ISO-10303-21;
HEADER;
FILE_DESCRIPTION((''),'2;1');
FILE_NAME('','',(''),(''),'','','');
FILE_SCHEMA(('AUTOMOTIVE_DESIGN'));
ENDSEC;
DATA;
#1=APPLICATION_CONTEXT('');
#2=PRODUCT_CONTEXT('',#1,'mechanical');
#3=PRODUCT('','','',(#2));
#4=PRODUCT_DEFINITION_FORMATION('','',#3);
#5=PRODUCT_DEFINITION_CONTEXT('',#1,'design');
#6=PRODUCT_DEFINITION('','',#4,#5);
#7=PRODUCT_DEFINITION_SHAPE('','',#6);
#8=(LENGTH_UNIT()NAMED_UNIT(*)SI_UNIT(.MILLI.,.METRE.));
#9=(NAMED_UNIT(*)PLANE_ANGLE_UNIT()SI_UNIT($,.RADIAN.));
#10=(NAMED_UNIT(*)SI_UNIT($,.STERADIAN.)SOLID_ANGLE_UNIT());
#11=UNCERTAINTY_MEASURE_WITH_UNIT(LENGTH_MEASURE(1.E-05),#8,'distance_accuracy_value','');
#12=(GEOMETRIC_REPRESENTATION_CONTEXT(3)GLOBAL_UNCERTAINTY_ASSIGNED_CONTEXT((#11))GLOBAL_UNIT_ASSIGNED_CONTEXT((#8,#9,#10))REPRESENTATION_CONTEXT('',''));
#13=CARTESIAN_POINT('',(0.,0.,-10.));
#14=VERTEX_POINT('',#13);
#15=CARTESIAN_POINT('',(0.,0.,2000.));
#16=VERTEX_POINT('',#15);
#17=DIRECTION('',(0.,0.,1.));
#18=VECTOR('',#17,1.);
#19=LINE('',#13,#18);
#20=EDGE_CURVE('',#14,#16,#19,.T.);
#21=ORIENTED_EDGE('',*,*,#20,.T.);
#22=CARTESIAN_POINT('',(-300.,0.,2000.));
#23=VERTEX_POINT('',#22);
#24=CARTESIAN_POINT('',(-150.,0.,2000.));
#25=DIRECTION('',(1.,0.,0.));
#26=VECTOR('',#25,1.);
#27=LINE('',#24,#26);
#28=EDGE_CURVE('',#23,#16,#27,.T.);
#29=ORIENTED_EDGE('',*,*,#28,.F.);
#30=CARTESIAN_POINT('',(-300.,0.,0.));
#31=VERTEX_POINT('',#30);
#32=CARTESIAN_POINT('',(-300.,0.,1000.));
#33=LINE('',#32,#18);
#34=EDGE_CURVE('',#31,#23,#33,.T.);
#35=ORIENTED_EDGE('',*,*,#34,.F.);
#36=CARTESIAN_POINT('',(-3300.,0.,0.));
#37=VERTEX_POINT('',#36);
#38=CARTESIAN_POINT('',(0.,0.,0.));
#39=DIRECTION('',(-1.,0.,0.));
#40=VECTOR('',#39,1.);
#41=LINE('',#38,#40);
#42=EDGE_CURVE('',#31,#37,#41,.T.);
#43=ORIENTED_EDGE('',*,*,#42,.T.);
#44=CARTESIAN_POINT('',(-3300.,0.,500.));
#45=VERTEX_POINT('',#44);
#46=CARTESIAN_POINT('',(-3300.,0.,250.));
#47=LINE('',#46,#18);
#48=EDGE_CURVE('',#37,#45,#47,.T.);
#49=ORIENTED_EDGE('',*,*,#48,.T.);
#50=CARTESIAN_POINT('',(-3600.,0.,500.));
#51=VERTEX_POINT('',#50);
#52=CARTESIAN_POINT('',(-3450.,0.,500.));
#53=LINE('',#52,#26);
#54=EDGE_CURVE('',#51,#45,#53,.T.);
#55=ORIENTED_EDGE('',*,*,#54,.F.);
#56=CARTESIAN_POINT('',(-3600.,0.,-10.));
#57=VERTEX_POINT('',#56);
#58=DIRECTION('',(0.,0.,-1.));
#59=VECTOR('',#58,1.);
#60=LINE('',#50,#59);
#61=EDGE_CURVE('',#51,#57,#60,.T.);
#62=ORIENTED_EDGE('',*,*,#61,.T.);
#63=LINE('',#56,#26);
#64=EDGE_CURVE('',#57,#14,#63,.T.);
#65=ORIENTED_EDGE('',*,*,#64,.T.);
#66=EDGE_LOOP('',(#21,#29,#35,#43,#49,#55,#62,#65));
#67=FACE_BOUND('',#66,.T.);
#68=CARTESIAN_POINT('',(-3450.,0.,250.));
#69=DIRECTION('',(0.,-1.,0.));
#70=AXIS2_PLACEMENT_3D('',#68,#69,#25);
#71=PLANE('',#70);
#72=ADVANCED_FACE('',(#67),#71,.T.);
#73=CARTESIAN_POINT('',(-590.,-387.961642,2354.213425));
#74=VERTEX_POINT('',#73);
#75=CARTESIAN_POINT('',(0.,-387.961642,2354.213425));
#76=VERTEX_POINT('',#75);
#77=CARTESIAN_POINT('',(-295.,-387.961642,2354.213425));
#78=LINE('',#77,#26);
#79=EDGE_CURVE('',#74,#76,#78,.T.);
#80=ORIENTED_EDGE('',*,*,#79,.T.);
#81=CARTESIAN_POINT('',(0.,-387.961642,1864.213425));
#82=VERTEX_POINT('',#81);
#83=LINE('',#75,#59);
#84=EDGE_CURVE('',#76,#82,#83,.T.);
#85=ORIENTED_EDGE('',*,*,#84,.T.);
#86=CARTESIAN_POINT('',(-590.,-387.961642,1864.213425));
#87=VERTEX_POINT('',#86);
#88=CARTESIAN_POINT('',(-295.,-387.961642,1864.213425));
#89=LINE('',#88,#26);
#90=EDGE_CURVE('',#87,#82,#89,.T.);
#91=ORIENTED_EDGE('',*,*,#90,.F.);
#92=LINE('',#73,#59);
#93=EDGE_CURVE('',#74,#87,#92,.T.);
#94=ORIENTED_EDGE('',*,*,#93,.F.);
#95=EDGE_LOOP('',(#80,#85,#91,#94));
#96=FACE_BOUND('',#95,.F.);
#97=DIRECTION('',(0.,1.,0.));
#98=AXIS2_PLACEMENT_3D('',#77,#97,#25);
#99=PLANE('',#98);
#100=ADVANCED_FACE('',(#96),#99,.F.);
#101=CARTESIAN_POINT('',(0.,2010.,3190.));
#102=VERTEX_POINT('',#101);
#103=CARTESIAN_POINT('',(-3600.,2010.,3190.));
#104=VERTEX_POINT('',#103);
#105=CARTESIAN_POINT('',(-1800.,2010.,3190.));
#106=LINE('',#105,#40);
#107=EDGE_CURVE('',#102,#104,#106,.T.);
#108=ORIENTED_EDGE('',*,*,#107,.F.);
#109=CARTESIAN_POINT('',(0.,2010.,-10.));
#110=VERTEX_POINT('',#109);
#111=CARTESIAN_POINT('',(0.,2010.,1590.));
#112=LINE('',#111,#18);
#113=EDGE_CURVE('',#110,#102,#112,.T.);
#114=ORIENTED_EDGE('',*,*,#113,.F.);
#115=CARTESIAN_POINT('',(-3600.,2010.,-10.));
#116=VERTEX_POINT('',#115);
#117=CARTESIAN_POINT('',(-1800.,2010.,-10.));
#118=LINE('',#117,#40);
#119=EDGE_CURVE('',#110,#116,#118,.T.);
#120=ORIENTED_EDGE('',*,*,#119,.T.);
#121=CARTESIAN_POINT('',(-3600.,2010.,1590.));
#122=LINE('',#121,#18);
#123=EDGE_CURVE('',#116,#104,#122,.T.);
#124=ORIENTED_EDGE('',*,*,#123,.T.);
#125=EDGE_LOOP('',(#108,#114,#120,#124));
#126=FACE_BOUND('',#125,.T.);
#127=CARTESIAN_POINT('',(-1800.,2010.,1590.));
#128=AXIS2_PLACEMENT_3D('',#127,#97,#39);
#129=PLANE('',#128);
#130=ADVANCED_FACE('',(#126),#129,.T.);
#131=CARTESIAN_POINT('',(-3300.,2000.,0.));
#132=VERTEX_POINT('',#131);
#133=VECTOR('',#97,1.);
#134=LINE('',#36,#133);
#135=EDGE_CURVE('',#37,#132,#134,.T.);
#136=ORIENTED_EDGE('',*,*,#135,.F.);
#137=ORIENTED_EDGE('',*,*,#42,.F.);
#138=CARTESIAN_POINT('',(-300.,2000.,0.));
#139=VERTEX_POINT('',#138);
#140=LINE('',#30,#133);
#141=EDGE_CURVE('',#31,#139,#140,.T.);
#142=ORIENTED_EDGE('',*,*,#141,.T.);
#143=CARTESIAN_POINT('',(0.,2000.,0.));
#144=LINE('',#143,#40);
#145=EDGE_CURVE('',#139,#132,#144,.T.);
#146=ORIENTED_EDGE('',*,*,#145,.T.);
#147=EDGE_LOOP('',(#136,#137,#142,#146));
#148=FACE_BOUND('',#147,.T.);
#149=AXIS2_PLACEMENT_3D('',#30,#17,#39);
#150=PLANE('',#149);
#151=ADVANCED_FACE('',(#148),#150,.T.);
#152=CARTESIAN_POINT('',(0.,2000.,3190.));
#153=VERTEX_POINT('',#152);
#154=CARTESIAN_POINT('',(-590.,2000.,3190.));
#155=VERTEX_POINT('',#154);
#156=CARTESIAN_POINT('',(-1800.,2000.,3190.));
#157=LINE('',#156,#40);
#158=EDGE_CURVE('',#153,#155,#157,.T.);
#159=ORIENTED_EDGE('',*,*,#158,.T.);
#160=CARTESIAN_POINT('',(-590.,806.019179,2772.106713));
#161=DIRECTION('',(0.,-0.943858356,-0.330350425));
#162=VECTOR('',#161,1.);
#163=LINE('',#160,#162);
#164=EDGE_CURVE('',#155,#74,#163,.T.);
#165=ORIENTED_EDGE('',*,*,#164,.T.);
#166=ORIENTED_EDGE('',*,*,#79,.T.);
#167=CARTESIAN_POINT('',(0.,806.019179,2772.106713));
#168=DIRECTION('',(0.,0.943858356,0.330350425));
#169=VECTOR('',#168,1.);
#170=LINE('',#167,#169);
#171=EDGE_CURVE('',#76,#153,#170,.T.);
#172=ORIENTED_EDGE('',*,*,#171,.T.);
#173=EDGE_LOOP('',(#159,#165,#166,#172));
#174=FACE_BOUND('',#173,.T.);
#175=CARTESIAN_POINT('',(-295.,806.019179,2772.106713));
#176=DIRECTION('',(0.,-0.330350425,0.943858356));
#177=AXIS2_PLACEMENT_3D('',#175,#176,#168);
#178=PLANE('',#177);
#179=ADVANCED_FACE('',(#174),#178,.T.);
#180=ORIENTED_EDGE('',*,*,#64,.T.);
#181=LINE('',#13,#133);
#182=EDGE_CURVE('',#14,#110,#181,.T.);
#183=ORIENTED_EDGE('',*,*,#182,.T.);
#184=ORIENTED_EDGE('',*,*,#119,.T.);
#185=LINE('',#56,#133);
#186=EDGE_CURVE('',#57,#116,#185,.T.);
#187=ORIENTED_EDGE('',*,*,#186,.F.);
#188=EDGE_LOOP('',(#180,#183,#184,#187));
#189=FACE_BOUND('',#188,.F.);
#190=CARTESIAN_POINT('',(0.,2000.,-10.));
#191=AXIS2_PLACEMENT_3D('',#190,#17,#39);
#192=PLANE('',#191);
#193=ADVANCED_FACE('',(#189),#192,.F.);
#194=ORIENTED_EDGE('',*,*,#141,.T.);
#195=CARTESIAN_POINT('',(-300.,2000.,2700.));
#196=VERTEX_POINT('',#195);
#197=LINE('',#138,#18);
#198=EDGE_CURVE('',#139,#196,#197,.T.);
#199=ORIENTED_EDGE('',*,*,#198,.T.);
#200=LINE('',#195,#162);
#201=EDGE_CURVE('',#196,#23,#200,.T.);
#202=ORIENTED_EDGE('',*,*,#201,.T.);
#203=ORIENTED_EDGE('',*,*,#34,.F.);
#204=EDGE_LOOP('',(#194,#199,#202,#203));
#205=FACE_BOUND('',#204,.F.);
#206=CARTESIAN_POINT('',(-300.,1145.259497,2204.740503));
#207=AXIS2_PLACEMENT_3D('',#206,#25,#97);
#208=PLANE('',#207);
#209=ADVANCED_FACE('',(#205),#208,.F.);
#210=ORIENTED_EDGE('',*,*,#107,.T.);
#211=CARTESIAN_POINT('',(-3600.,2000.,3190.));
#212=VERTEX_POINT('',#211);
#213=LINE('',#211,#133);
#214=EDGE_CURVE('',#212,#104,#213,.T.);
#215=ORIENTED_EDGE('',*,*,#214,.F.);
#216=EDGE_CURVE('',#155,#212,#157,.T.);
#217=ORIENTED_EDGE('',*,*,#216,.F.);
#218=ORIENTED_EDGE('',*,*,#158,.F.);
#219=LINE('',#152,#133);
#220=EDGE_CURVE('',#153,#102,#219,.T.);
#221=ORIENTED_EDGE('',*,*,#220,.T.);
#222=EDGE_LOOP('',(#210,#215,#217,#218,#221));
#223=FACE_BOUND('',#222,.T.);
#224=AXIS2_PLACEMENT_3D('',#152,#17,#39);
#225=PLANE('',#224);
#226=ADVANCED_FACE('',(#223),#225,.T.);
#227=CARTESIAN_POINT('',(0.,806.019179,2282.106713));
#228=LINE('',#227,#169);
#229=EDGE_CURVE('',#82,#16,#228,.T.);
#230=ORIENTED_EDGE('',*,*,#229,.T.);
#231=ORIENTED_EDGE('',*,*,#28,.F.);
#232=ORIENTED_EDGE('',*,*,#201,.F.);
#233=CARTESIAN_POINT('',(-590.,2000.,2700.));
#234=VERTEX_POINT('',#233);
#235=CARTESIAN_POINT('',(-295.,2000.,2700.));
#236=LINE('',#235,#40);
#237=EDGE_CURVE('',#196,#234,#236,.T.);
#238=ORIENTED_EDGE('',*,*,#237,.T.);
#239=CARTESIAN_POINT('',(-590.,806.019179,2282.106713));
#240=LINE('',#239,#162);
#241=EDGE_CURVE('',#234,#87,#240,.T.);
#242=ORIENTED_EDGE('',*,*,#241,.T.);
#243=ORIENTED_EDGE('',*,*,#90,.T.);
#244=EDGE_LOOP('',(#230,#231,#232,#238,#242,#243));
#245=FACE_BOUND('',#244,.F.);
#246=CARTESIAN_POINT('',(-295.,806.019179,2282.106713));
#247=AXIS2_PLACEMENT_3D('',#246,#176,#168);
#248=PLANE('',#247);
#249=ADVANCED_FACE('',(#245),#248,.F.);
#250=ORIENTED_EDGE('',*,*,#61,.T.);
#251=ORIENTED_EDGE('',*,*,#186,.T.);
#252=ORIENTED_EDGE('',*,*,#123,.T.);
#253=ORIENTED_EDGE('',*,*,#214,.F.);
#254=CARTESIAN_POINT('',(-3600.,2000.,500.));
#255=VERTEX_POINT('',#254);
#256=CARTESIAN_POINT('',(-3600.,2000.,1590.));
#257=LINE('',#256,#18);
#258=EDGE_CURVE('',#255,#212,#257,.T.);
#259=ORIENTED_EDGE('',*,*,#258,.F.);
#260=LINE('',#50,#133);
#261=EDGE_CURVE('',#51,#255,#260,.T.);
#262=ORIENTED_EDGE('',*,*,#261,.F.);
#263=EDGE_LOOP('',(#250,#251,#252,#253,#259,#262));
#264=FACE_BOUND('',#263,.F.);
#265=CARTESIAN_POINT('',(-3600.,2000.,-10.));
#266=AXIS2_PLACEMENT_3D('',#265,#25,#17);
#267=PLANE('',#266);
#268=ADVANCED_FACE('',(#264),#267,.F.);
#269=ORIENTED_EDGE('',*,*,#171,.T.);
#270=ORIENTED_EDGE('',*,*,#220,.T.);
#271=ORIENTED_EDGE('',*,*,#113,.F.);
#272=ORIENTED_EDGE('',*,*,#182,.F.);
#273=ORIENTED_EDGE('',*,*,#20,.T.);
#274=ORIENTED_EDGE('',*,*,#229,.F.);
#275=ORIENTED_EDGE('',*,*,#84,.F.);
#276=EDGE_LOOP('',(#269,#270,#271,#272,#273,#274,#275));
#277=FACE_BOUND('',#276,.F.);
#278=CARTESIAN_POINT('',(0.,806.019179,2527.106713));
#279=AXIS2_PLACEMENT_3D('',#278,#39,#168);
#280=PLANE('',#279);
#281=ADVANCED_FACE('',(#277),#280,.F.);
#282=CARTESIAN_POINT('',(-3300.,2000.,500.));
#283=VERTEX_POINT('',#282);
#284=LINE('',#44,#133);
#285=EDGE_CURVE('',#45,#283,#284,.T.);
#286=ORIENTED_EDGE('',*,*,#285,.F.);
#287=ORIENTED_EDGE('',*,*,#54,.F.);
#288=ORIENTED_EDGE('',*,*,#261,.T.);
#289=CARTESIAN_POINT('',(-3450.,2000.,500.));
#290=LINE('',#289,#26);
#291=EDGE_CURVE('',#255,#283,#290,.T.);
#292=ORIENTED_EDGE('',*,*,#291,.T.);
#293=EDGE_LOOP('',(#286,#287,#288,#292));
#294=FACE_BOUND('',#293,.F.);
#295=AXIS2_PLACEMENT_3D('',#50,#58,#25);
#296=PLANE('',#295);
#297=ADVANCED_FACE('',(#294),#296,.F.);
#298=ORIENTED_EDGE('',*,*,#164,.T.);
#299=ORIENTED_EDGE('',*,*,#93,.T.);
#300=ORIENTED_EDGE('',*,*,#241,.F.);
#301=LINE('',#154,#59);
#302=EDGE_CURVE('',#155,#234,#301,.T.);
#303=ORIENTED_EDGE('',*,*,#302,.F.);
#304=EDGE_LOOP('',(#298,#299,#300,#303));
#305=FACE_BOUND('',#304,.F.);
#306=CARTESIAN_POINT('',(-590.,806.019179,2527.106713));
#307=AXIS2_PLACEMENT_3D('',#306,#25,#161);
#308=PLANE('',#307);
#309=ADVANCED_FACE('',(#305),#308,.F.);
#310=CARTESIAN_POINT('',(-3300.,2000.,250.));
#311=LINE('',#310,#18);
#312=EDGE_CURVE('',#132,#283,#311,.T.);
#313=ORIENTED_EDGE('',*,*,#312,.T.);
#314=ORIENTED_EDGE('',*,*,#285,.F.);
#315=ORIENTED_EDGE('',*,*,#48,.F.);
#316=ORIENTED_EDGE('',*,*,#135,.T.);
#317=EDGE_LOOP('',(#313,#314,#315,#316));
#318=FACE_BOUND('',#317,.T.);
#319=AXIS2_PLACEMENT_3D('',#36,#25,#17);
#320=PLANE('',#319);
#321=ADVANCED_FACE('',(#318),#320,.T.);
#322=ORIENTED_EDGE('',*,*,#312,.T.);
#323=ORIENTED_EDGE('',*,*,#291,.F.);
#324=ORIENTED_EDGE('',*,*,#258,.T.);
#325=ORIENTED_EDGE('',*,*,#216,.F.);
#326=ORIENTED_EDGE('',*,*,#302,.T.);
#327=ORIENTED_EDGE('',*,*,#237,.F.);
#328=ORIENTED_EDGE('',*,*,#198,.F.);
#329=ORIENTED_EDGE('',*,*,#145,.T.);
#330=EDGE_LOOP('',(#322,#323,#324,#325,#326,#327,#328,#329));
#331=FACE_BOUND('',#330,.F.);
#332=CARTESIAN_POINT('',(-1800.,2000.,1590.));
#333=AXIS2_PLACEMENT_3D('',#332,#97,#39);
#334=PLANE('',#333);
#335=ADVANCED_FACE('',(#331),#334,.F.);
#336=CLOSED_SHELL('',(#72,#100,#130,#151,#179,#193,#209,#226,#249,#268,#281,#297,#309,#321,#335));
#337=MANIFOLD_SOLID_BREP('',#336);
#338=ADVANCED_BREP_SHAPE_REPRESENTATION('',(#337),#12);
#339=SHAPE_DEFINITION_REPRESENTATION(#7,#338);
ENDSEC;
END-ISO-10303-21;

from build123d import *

# Parameters (mm, degrees)
F0_W     = 300
F0_H     = 500
F0_H_2   = 2000
F1_DEPTH = 2000
F2_W     = 3600
F2_H     = 3200
F3_DEPTH = 10
F5_DEPTH = 300
F6_W     = 590
F6_H     = 2530


with BuildPart() as f1:
    # F0 (on Front) → F1 (new body)
    with BuildSketch(Plane.XZ):
        with Locations((-3450, 250)):
            Rectangle(F0_W, F0_H)
        Polygon((-3300, 0), (-3600, 0), (-3600, -10), (0, -10), (0, 0), (-300, 0), align=None)
        with Locations((-150, 1000)):
            Rectangle(F0_W, F0_H_2)
    extrude(amount=-F1_DEPTH)

    # F2 (on face) → F3 (join)
    with BuildSketch(Plane(origin=(0, 2000, 0), x_dir=(-1, 0, 0), z_dir=(0, 1, 0))):
        with Locations((1800, 1590)):
            Rectangle(F2_W, F2_H)
    extrude(amount=F3_DEPTH)

    # F4 (on face) → F5 (join)
    with BuildSketch(Plane.YZ):
        Polygon((2000, 2700), (0, 2000), (2000, 2000), align=None)
    extrude(amount=-F5_DEPTH)

    # F7: sweep along a path in F7_path
    with BuildLine(Plane(origin=(0, 2000, 3190), x_dir=(0, 0, 1), z_dir=(0, -1, 0))) as f7_path:
        Line((0, 0), (-490, 0))
    # F6 (on face) → F7 (sweep)
    with BuildSketch(Plane(origin=(0, -623.6080178174, 1781.7371937639), x_dir=(1, 0, 0), z_dir=(0, -0.3303504247, 0.9438583564))):
        with Locations((-295, 1514.6628594979)):
            Rectangle(F6_W, F6_H)
    sweep(path=f7_path.line)


solid = f1.part
